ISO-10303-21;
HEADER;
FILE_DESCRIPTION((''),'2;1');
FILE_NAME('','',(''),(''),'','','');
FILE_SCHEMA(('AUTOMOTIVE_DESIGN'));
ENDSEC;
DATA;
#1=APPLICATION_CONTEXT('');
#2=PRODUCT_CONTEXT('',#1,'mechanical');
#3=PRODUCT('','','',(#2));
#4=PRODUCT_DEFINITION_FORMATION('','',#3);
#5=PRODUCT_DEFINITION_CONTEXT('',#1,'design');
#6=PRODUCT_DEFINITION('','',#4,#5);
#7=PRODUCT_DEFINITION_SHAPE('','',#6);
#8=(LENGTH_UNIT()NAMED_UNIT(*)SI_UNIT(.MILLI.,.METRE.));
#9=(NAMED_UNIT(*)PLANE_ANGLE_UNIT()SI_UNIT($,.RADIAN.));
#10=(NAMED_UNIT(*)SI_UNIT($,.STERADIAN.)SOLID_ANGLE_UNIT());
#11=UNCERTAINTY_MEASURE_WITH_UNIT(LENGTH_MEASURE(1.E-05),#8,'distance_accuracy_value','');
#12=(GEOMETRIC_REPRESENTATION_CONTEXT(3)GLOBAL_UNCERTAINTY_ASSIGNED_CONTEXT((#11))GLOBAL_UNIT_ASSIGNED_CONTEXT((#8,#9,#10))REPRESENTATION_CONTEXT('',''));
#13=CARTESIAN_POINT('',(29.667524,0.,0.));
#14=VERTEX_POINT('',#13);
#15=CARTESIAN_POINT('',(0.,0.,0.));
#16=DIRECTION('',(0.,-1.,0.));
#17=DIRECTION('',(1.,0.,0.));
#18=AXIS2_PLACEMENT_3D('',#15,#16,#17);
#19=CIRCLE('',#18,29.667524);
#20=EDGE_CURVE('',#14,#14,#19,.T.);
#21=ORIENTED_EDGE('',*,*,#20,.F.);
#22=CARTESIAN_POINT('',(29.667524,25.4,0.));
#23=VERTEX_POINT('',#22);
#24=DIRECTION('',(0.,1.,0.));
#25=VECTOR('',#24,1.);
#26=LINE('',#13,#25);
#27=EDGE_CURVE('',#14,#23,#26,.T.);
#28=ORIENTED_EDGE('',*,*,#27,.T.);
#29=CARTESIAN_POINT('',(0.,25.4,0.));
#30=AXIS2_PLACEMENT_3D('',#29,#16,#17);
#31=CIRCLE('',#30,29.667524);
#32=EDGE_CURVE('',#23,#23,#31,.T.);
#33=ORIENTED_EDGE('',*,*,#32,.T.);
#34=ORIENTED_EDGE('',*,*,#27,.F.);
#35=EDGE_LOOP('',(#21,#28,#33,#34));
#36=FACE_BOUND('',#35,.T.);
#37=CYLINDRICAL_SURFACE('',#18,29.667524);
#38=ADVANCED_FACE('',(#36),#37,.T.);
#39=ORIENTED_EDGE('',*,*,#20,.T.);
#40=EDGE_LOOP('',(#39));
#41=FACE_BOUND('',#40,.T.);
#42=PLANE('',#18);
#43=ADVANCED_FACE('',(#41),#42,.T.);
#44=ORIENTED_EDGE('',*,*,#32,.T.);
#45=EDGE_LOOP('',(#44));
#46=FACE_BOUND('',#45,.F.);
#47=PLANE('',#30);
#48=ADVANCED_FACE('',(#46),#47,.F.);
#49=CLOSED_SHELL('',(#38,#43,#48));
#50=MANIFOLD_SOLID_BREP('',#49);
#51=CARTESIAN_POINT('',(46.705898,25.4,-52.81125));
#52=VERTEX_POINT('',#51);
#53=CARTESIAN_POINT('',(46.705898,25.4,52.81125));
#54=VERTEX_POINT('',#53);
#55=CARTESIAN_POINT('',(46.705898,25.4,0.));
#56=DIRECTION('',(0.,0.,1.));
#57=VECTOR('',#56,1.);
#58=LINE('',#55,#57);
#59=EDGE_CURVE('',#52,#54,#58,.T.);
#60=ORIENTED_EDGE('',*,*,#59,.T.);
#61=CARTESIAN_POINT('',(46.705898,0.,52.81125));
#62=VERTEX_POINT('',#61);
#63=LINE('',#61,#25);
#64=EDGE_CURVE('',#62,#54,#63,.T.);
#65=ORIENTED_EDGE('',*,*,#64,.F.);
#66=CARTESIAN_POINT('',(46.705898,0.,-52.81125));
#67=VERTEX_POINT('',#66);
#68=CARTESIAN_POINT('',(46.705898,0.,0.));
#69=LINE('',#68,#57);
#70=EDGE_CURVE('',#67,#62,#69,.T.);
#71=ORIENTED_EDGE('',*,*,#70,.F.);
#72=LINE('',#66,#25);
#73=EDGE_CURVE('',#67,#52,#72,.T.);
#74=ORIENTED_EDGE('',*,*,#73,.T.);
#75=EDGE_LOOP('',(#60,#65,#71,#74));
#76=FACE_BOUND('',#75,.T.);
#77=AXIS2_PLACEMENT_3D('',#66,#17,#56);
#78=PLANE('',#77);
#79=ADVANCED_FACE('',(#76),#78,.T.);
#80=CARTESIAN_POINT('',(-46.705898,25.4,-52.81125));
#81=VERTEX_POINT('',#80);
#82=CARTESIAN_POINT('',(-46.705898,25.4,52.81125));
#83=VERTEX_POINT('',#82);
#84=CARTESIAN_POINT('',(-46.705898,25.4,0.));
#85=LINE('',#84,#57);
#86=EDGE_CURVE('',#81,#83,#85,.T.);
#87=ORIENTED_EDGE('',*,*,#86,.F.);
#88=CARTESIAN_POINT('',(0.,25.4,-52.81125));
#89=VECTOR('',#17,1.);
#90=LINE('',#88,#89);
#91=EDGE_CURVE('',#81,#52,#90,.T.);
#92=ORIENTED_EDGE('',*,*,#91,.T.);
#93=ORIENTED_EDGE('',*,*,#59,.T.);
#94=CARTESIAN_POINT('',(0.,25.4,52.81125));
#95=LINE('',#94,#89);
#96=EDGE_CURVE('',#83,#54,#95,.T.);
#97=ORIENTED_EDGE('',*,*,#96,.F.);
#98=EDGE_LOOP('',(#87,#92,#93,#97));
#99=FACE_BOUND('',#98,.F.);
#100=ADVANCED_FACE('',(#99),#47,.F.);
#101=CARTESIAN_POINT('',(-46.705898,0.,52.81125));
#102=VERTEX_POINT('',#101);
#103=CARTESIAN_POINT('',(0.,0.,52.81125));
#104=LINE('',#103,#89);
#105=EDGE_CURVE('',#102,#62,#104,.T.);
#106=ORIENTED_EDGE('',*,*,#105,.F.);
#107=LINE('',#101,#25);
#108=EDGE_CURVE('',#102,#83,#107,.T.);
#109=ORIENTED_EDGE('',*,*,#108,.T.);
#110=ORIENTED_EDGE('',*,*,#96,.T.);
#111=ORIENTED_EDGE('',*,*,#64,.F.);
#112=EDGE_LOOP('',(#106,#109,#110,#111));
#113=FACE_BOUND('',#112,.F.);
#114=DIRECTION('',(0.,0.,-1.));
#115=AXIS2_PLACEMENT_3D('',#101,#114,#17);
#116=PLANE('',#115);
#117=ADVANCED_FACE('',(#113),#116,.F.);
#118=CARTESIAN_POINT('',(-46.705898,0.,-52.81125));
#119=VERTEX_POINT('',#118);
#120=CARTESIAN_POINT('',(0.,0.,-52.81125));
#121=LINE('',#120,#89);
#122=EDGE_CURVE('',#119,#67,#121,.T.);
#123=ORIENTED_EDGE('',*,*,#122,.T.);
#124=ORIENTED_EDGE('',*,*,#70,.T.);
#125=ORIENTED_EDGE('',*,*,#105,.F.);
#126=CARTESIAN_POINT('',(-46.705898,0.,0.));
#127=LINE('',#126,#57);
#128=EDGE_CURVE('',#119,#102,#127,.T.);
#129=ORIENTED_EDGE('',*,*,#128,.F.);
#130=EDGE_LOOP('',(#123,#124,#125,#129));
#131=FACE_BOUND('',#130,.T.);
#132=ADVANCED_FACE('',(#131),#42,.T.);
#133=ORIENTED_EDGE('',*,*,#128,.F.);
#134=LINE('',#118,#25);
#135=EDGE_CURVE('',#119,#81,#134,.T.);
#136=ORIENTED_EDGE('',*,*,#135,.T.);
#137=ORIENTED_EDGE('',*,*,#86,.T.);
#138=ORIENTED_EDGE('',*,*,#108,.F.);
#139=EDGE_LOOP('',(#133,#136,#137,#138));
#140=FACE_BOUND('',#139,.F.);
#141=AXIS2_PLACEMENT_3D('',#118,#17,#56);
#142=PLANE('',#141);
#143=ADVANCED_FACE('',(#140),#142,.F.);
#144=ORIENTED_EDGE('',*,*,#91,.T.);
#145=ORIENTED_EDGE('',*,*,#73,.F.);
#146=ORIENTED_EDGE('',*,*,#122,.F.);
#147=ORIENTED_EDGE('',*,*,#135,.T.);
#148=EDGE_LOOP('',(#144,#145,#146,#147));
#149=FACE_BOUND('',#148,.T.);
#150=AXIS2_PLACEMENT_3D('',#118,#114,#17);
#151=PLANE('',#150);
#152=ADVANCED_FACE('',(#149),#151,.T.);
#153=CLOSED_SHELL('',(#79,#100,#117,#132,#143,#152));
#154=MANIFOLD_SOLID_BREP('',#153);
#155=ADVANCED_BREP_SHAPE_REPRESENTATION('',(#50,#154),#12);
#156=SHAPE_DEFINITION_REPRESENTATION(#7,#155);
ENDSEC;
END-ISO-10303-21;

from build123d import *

# Parameters (mm, degrees)
F0_W     = 93.411795795
F0_H     = 105.6225001812
F2_DEPTH = 25.4
F1_R     = 29.6675238141


with BuildPart() as f2:
    # F0 (on Front) → F2 (new body)
    with BuildSketch(Plane.XZ):
        Rectangle(F0_W, F0_H)
    extrude(amount=-F2_DEPTH)


with BuildPart() as f2b:
    # F1 (on face) → F2, piece 2 (new body)
    with BuildSketch(Plane.XZ):
        Circle(F1_R)
    extrude(amount=-F2_DEPTH)


solid = Compound([f2.part, f2b.part])
